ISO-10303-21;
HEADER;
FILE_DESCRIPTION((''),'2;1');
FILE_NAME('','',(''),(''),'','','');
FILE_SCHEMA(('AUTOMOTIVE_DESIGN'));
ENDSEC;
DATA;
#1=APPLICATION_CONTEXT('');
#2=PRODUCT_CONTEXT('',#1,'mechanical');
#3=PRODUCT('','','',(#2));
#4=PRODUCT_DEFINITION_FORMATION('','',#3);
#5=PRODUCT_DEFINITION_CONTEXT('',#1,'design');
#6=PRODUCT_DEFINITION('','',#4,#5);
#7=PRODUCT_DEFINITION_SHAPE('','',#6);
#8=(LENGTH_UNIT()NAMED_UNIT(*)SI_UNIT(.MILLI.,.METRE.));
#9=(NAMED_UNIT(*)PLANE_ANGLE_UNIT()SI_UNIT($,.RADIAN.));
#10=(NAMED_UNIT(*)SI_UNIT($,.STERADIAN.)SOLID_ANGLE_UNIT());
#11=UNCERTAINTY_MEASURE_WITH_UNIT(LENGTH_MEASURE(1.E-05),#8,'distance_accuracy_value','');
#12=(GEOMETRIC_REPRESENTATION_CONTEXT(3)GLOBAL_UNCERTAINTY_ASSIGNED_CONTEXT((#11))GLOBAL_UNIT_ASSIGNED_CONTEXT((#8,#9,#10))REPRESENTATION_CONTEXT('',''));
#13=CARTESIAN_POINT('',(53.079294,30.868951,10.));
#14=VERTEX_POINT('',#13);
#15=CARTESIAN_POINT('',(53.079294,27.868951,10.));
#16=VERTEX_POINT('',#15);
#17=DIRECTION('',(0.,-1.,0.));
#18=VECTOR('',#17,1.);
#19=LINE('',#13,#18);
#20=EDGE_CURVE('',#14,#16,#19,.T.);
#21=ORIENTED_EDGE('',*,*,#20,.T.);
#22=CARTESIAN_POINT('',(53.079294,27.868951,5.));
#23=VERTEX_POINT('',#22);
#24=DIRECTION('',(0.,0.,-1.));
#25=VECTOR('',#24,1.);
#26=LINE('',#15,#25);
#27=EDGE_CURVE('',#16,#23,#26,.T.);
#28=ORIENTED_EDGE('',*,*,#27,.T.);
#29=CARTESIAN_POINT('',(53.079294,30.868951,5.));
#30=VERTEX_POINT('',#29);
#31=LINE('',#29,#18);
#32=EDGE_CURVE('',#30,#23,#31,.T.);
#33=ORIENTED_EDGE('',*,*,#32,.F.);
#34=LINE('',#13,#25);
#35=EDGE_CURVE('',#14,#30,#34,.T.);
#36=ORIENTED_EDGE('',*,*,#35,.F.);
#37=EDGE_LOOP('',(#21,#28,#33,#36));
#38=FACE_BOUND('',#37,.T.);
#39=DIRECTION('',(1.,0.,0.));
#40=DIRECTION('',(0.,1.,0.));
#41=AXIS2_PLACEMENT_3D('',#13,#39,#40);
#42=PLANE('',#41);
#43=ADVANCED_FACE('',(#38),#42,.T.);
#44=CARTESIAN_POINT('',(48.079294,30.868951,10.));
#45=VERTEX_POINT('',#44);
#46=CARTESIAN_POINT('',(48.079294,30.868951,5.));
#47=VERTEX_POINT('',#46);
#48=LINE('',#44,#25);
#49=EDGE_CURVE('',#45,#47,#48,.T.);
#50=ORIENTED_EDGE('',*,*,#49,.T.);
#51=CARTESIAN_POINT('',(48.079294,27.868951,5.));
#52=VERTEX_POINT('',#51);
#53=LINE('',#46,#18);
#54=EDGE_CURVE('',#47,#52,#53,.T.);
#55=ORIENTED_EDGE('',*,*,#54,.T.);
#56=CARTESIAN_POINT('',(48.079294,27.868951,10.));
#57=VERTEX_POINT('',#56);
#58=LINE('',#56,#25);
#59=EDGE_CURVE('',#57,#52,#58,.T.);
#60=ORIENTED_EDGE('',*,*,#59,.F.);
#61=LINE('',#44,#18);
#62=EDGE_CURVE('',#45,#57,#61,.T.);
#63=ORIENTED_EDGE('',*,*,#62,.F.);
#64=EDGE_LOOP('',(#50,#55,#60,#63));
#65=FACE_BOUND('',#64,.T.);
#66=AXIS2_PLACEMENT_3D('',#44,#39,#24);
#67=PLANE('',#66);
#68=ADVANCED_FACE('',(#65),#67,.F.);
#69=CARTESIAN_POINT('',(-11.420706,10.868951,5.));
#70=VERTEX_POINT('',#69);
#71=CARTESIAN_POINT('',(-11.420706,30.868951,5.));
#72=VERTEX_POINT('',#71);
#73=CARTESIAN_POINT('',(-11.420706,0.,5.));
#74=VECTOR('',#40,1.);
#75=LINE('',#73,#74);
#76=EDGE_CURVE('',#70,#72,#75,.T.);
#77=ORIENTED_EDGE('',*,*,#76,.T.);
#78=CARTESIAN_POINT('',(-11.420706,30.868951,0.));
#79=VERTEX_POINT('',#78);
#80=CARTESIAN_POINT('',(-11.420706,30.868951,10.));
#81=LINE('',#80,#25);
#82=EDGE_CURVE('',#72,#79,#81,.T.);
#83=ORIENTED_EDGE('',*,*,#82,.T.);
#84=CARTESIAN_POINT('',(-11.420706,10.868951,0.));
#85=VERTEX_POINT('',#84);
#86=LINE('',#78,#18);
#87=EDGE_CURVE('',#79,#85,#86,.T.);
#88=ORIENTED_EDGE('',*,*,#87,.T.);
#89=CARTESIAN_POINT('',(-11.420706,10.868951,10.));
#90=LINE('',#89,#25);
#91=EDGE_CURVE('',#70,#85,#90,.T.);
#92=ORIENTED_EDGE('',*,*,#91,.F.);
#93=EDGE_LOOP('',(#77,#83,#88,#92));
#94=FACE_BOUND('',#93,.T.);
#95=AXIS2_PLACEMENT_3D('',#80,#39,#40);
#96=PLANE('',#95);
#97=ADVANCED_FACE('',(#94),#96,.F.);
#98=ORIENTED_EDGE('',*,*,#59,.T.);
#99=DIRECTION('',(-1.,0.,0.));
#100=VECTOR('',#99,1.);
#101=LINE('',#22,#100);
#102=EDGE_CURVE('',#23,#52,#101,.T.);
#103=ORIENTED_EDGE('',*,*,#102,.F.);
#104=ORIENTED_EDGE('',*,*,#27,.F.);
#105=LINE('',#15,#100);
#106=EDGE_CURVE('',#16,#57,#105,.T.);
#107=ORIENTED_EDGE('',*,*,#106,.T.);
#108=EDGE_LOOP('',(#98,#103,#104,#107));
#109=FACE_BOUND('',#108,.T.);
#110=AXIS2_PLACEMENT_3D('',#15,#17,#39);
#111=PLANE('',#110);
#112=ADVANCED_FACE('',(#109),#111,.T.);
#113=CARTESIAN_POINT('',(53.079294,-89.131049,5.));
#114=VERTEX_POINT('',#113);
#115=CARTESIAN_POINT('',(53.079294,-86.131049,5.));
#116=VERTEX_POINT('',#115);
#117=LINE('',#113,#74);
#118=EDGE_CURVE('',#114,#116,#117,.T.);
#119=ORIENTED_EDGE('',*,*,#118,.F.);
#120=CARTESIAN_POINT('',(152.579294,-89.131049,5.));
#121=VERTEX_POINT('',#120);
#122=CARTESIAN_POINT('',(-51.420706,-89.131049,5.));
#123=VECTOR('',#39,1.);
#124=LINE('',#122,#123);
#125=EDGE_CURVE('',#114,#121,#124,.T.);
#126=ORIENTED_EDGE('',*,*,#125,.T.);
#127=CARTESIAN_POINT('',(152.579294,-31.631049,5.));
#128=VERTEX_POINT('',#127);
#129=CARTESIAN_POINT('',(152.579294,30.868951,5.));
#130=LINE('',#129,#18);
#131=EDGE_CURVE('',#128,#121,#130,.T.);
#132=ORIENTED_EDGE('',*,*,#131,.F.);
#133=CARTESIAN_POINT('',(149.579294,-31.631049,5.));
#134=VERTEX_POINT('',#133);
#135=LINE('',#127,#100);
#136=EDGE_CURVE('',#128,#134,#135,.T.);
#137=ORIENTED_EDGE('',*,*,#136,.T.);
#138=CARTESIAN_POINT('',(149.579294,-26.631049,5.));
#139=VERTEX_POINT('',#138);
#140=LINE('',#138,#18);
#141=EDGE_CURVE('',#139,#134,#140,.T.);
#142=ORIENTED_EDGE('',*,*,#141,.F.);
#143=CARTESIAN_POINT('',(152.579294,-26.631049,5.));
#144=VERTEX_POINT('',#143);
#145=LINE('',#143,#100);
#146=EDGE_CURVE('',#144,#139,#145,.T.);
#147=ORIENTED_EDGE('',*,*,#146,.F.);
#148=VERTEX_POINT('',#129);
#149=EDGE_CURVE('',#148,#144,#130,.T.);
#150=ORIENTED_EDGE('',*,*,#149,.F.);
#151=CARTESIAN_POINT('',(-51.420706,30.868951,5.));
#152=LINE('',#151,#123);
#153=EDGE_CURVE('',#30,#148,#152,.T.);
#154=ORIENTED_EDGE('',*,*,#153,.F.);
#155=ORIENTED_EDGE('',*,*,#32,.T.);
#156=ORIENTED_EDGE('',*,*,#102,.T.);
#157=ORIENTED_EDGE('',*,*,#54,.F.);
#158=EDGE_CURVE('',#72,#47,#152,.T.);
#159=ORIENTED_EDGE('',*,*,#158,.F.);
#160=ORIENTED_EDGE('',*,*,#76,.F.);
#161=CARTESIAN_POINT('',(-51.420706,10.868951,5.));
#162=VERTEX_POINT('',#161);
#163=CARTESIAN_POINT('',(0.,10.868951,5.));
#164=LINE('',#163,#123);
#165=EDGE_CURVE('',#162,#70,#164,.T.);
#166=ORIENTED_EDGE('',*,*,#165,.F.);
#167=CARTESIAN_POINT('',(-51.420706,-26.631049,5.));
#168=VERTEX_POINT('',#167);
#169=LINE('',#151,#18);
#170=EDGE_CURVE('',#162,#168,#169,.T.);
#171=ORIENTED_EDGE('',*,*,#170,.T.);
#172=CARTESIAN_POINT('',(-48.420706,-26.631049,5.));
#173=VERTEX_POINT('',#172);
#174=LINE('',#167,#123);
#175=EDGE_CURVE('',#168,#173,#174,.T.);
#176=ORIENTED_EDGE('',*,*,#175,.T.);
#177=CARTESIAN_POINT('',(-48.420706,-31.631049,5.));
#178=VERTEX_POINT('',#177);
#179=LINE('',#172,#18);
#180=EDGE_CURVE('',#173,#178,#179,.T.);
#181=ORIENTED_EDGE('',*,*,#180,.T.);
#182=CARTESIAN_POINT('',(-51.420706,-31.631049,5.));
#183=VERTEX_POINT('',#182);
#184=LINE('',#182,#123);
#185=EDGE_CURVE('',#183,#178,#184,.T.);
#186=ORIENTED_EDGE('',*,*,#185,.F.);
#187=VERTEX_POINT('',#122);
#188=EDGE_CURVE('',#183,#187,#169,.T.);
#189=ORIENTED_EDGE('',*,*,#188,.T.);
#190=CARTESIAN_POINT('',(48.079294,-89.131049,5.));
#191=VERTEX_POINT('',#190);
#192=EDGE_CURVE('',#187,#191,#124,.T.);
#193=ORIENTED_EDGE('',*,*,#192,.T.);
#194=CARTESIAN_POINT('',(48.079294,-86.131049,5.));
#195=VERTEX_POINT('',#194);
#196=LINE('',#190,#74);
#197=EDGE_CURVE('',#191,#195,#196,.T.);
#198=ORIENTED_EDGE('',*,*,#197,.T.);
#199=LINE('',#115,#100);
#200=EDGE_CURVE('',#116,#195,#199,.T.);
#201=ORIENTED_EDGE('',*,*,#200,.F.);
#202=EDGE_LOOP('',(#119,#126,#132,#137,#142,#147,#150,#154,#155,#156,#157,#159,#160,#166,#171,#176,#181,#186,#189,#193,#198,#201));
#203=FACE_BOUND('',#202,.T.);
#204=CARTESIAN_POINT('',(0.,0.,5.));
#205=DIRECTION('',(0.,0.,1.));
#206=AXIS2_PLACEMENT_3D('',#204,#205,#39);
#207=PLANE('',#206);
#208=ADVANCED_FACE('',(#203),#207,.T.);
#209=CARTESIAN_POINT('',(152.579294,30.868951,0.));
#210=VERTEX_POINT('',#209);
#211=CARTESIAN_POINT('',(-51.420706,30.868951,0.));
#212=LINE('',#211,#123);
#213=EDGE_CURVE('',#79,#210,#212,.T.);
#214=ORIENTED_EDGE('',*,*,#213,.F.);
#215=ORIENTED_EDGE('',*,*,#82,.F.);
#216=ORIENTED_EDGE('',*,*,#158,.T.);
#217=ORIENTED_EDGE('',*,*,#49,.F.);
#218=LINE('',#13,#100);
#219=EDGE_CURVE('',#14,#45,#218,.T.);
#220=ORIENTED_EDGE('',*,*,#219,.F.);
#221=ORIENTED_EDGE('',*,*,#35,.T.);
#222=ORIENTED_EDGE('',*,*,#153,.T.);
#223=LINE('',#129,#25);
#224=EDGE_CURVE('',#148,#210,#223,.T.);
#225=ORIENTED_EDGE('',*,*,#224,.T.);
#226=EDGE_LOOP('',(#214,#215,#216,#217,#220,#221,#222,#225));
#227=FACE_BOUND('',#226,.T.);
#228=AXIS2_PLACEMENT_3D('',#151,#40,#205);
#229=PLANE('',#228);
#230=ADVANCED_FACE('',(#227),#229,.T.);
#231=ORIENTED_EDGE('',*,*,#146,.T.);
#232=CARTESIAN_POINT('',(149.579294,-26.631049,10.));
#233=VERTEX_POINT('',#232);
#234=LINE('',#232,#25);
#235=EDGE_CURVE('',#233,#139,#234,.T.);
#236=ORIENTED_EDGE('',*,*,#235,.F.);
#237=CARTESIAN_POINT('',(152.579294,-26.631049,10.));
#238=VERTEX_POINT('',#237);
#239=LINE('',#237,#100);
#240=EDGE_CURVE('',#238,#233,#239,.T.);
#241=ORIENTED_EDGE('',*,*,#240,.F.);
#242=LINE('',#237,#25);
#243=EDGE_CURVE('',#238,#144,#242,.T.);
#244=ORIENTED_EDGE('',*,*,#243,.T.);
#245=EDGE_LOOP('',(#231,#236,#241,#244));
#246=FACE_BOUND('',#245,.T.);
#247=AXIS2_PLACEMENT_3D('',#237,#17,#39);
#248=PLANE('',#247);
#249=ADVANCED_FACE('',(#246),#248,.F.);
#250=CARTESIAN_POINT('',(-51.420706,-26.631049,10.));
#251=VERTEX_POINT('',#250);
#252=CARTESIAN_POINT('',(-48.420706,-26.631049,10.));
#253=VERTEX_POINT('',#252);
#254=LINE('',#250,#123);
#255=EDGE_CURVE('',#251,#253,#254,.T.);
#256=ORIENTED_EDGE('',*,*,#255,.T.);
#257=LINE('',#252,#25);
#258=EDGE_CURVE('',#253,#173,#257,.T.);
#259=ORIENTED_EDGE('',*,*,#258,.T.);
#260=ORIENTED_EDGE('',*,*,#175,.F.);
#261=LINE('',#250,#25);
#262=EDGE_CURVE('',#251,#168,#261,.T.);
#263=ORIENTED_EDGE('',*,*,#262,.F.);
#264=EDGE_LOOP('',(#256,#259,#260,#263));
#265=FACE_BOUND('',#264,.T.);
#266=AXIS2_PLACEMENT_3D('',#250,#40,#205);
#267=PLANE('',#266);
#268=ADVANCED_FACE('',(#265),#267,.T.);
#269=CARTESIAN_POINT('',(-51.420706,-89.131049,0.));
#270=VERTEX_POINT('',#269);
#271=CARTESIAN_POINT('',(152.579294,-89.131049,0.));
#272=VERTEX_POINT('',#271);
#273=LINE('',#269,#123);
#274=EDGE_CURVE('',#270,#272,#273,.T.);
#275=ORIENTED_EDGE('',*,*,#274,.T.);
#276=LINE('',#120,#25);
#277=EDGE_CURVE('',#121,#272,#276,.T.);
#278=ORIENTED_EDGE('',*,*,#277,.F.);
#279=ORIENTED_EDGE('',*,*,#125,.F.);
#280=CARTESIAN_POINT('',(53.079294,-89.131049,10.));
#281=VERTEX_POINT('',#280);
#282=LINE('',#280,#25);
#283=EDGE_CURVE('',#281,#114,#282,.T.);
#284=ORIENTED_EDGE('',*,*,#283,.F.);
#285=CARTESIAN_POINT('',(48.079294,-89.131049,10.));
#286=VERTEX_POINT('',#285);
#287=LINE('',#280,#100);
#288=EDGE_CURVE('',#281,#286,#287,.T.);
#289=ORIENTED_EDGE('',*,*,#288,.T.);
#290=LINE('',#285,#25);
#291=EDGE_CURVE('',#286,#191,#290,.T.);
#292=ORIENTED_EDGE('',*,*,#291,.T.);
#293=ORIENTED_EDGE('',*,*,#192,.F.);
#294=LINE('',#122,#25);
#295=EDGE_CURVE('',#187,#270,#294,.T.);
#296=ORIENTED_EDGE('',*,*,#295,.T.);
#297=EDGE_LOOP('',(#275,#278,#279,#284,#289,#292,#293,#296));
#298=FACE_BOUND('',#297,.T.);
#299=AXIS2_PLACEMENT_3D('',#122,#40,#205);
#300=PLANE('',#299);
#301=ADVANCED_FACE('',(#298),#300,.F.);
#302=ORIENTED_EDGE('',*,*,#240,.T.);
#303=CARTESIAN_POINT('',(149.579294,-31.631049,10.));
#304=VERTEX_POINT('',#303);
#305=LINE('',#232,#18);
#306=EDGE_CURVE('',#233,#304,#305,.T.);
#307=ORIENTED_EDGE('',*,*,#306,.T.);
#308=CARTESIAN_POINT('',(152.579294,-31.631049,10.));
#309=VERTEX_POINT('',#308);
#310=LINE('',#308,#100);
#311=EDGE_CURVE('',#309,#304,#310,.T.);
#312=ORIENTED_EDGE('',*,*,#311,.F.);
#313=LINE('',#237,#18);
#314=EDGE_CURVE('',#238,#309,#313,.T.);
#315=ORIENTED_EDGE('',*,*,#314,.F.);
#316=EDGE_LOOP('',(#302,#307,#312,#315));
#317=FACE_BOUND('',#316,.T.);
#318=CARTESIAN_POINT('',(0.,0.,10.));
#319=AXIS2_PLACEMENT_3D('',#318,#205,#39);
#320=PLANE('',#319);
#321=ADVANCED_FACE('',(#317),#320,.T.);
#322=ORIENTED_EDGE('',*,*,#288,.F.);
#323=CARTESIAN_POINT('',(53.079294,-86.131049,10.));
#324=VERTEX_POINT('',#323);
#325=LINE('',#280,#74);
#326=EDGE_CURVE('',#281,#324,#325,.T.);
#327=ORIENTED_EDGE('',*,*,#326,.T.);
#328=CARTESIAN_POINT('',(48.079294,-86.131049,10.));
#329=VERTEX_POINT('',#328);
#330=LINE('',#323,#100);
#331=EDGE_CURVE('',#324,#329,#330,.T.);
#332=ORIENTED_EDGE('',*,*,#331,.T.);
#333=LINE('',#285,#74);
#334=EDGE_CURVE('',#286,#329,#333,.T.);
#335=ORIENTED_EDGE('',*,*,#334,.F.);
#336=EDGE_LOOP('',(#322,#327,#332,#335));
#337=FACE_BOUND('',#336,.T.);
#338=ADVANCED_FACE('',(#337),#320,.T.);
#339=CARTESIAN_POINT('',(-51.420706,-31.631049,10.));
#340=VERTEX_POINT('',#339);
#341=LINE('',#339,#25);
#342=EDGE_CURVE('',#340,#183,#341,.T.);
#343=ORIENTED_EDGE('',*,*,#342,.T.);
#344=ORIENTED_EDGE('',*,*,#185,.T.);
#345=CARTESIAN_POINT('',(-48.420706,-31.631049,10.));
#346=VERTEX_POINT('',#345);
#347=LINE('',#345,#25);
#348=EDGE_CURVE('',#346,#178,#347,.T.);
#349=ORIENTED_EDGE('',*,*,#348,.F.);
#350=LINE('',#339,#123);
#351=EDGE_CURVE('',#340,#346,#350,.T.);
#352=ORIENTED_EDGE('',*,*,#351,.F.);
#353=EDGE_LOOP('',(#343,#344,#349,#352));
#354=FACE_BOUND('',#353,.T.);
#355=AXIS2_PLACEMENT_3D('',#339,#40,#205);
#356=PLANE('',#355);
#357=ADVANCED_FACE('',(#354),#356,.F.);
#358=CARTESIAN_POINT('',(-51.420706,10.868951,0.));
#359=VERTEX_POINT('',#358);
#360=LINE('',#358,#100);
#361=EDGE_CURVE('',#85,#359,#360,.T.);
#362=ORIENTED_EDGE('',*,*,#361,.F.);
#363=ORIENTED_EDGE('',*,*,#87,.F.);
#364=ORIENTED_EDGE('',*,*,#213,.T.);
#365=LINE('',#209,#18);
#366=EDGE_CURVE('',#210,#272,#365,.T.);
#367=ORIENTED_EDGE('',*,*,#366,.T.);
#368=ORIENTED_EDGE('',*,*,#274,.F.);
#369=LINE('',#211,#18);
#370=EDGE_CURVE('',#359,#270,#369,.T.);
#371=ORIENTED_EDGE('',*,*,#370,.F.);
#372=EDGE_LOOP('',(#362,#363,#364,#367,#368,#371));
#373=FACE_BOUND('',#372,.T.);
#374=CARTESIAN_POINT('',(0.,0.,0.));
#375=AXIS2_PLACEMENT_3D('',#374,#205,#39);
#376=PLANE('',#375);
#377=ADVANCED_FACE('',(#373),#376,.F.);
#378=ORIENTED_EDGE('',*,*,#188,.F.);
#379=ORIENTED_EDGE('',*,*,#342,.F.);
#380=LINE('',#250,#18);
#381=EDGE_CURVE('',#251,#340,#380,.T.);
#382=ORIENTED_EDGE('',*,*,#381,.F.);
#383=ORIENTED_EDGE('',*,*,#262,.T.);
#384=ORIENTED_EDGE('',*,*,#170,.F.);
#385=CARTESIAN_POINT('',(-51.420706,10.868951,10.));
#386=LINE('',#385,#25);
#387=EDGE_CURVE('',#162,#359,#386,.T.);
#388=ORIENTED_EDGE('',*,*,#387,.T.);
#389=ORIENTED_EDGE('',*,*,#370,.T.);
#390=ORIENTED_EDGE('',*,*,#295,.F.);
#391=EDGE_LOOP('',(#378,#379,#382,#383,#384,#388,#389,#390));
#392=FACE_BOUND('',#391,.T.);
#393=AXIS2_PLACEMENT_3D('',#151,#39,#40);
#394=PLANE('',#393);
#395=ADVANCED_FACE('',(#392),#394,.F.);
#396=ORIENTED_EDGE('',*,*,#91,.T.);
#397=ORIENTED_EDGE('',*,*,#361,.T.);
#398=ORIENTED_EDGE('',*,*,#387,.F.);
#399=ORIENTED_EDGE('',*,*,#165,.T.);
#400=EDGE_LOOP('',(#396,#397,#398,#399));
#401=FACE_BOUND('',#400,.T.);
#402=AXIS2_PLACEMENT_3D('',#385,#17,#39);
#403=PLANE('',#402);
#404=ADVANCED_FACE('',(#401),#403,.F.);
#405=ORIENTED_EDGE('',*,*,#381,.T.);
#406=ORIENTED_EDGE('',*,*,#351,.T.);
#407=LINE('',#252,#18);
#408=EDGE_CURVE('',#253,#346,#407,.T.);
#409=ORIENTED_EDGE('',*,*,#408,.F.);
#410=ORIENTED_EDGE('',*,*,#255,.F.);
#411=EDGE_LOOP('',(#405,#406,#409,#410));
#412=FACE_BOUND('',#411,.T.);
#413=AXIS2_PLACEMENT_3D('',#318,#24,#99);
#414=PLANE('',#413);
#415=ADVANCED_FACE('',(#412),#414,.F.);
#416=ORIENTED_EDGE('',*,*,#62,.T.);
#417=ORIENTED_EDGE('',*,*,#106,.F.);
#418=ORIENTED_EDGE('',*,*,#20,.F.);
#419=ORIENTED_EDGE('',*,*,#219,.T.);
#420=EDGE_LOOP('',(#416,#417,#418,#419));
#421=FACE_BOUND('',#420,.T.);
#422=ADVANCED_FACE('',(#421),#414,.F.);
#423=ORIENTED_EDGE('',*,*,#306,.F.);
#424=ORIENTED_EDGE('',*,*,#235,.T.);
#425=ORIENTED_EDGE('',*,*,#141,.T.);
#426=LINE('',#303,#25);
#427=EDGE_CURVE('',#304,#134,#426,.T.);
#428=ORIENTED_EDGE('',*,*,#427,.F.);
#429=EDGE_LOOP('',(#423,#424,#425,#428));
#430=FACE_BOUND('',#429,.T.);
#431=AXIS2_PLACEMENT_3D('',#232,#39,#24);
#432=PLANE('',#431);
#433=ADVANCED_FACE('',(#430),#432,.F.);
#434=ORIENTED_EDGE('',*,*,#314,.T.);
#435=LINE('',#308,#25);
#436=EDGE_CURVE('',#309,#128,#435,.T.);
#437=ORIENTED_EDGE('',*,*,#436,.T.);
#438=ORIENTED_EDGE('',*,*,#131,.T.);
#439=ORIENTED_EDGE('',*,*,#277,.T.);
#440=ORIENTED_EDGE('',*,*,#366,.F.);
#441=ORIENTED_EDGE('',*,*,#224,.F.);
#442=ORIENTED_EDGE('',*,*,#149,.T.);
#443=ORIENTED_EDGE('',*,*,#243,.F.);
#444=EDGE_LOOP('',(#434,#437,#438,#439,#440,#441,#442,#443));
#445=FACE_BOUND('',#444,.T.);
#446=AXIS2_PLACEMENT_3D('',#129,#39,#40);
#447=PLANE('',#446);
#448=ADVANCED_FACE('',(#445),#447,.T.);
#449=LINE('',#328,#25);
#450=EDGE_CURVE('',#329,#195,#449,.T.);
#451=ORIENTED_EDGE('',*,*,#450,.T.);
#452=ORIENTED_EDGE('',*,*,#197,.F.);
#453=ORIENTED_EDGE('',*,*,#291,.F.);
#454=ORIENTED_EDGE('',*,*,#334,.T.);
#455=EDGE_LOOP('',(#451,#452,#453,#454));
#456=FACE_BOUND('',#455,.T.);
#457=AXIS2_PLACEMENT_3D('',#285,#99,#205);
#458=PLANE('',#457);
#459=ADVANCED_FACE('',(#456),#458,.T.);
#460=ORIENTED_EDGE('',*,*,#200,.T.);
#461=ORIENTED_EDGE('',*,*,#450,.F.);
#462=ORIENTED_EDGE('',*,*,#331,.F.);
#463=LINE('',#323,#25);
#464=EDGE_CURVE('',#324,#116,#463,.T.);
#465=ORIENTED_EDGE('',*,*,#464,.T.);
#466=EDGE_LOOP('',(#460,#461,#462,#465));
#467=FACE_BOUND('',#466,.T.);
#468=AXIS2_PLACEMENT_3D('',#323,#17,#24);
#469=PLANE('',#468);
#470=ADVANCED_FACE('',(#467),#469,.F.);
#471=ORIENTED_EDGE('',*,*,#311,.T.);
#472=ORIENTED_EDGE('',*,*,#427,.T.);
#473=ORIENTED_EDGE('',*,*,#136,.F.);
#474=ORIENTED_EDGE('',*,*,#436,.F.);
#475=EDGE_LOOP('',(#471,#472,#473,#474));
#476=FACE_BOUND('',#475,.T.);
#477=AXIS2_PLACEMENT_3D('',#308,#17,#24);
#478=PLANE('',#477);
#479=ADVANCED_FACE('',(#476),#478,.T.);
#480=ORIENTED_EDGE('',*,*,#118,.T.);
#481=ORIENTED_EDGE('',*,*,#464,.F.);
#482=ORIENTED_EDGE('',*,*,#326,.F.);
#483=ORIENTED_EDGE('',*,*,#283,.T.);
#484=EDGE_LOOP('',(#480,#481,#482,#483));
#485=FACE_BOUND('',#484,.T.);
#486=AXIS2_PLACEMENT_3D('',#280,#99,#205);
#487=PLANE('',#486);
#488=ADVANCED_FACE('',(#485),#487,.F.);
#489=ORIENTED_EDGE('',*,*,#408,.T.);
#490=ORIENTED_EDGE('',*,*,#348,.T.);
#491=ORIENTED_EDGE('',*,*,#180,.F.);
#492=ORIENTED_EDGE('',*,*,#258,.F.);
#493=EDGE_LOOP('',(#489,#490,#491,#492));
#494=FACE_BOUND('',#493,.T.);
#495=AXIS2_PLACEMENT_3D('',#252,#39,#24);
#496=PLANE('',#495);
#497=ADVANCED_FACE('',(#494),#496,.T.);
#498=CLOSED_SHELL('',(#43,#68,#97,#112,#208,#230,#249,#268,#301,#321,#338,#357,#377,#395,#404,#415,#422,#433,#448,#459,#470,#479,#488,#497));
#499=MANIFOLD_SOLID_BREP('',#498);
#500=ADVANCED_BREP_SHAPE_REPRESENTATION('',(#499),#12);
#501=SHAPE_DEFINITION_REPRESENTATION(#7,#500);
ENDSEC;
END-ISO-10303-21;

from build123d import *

# Parameters (mm, degrees)
ESBO_O1_W                = 204
ESBO_O1_H                = 120
RESSALTO_EXTRUS_O1_DEPTH = 5
ESBO_O2_W                = 5
ESBO_O2_H                = 3
ESBO_O2_W_2              = 3
ESBO_O2_H_2              = 5
RESSALTO_EXTRUS_O2_DEPTH = 5
ESBO_O3_W                = 40
ESBO_O3_H                = 20
CORTE_EXTRUS_O1_DEPTH    = 10


with BuildPart() as part:
    # Esboço1 → Ressalto-extrusão1 (new body)
    with BuildSketch(Plane.XY):
        with Locations((50.579294312, -29.131049069)):
            Rectangle(ESBO_O1_W, ESBO_O1_H)
    extrude(amount=RESSALTO_EXTRUS_O1_DEPTH)

    # Esboço2 → Ressalto-extrusão2 (add)
    with BuildSketch(Plane.XY.offset(5)):
        with Locations((50.579294312, 29.368950931)):
            Rectangle(ESBO_O2_W, ESBO_O2_H)
        with Locations((50.579294312, -87.631049069)):
            Rectangle(ESBO_O2_W, ESBO_O2_H)
        with Locations((-49.920705688, -29.131049069)):
            Rectangle(ESBO_O2_W_2, ESBO_O2_H_2)
        with Locations((151.079294312, -29.131049069)):
            Rectangle(ESBO_O2_W_2, ESBO_O2_H_2)
    extrude(amount=RESSALTO_EXTRUS_O2_DEPTH)

    # Esboço3 → Corte-extrusão1 (cut)
    with BuildSketch(Plane(origin=(0, 0, 0), x_dir=(-1, 0, 0), z_dir=(0, 0, -1))):
        with Locations((31.420705688, 20.868950931)):
            Rectangle(ESBO_O3_W, ESBO_O3_H)
    extrude(amount=-CORTE_EXTRUS_O1_DEPTH, mode=Mode.SUBTRACT)


solid = part.part
